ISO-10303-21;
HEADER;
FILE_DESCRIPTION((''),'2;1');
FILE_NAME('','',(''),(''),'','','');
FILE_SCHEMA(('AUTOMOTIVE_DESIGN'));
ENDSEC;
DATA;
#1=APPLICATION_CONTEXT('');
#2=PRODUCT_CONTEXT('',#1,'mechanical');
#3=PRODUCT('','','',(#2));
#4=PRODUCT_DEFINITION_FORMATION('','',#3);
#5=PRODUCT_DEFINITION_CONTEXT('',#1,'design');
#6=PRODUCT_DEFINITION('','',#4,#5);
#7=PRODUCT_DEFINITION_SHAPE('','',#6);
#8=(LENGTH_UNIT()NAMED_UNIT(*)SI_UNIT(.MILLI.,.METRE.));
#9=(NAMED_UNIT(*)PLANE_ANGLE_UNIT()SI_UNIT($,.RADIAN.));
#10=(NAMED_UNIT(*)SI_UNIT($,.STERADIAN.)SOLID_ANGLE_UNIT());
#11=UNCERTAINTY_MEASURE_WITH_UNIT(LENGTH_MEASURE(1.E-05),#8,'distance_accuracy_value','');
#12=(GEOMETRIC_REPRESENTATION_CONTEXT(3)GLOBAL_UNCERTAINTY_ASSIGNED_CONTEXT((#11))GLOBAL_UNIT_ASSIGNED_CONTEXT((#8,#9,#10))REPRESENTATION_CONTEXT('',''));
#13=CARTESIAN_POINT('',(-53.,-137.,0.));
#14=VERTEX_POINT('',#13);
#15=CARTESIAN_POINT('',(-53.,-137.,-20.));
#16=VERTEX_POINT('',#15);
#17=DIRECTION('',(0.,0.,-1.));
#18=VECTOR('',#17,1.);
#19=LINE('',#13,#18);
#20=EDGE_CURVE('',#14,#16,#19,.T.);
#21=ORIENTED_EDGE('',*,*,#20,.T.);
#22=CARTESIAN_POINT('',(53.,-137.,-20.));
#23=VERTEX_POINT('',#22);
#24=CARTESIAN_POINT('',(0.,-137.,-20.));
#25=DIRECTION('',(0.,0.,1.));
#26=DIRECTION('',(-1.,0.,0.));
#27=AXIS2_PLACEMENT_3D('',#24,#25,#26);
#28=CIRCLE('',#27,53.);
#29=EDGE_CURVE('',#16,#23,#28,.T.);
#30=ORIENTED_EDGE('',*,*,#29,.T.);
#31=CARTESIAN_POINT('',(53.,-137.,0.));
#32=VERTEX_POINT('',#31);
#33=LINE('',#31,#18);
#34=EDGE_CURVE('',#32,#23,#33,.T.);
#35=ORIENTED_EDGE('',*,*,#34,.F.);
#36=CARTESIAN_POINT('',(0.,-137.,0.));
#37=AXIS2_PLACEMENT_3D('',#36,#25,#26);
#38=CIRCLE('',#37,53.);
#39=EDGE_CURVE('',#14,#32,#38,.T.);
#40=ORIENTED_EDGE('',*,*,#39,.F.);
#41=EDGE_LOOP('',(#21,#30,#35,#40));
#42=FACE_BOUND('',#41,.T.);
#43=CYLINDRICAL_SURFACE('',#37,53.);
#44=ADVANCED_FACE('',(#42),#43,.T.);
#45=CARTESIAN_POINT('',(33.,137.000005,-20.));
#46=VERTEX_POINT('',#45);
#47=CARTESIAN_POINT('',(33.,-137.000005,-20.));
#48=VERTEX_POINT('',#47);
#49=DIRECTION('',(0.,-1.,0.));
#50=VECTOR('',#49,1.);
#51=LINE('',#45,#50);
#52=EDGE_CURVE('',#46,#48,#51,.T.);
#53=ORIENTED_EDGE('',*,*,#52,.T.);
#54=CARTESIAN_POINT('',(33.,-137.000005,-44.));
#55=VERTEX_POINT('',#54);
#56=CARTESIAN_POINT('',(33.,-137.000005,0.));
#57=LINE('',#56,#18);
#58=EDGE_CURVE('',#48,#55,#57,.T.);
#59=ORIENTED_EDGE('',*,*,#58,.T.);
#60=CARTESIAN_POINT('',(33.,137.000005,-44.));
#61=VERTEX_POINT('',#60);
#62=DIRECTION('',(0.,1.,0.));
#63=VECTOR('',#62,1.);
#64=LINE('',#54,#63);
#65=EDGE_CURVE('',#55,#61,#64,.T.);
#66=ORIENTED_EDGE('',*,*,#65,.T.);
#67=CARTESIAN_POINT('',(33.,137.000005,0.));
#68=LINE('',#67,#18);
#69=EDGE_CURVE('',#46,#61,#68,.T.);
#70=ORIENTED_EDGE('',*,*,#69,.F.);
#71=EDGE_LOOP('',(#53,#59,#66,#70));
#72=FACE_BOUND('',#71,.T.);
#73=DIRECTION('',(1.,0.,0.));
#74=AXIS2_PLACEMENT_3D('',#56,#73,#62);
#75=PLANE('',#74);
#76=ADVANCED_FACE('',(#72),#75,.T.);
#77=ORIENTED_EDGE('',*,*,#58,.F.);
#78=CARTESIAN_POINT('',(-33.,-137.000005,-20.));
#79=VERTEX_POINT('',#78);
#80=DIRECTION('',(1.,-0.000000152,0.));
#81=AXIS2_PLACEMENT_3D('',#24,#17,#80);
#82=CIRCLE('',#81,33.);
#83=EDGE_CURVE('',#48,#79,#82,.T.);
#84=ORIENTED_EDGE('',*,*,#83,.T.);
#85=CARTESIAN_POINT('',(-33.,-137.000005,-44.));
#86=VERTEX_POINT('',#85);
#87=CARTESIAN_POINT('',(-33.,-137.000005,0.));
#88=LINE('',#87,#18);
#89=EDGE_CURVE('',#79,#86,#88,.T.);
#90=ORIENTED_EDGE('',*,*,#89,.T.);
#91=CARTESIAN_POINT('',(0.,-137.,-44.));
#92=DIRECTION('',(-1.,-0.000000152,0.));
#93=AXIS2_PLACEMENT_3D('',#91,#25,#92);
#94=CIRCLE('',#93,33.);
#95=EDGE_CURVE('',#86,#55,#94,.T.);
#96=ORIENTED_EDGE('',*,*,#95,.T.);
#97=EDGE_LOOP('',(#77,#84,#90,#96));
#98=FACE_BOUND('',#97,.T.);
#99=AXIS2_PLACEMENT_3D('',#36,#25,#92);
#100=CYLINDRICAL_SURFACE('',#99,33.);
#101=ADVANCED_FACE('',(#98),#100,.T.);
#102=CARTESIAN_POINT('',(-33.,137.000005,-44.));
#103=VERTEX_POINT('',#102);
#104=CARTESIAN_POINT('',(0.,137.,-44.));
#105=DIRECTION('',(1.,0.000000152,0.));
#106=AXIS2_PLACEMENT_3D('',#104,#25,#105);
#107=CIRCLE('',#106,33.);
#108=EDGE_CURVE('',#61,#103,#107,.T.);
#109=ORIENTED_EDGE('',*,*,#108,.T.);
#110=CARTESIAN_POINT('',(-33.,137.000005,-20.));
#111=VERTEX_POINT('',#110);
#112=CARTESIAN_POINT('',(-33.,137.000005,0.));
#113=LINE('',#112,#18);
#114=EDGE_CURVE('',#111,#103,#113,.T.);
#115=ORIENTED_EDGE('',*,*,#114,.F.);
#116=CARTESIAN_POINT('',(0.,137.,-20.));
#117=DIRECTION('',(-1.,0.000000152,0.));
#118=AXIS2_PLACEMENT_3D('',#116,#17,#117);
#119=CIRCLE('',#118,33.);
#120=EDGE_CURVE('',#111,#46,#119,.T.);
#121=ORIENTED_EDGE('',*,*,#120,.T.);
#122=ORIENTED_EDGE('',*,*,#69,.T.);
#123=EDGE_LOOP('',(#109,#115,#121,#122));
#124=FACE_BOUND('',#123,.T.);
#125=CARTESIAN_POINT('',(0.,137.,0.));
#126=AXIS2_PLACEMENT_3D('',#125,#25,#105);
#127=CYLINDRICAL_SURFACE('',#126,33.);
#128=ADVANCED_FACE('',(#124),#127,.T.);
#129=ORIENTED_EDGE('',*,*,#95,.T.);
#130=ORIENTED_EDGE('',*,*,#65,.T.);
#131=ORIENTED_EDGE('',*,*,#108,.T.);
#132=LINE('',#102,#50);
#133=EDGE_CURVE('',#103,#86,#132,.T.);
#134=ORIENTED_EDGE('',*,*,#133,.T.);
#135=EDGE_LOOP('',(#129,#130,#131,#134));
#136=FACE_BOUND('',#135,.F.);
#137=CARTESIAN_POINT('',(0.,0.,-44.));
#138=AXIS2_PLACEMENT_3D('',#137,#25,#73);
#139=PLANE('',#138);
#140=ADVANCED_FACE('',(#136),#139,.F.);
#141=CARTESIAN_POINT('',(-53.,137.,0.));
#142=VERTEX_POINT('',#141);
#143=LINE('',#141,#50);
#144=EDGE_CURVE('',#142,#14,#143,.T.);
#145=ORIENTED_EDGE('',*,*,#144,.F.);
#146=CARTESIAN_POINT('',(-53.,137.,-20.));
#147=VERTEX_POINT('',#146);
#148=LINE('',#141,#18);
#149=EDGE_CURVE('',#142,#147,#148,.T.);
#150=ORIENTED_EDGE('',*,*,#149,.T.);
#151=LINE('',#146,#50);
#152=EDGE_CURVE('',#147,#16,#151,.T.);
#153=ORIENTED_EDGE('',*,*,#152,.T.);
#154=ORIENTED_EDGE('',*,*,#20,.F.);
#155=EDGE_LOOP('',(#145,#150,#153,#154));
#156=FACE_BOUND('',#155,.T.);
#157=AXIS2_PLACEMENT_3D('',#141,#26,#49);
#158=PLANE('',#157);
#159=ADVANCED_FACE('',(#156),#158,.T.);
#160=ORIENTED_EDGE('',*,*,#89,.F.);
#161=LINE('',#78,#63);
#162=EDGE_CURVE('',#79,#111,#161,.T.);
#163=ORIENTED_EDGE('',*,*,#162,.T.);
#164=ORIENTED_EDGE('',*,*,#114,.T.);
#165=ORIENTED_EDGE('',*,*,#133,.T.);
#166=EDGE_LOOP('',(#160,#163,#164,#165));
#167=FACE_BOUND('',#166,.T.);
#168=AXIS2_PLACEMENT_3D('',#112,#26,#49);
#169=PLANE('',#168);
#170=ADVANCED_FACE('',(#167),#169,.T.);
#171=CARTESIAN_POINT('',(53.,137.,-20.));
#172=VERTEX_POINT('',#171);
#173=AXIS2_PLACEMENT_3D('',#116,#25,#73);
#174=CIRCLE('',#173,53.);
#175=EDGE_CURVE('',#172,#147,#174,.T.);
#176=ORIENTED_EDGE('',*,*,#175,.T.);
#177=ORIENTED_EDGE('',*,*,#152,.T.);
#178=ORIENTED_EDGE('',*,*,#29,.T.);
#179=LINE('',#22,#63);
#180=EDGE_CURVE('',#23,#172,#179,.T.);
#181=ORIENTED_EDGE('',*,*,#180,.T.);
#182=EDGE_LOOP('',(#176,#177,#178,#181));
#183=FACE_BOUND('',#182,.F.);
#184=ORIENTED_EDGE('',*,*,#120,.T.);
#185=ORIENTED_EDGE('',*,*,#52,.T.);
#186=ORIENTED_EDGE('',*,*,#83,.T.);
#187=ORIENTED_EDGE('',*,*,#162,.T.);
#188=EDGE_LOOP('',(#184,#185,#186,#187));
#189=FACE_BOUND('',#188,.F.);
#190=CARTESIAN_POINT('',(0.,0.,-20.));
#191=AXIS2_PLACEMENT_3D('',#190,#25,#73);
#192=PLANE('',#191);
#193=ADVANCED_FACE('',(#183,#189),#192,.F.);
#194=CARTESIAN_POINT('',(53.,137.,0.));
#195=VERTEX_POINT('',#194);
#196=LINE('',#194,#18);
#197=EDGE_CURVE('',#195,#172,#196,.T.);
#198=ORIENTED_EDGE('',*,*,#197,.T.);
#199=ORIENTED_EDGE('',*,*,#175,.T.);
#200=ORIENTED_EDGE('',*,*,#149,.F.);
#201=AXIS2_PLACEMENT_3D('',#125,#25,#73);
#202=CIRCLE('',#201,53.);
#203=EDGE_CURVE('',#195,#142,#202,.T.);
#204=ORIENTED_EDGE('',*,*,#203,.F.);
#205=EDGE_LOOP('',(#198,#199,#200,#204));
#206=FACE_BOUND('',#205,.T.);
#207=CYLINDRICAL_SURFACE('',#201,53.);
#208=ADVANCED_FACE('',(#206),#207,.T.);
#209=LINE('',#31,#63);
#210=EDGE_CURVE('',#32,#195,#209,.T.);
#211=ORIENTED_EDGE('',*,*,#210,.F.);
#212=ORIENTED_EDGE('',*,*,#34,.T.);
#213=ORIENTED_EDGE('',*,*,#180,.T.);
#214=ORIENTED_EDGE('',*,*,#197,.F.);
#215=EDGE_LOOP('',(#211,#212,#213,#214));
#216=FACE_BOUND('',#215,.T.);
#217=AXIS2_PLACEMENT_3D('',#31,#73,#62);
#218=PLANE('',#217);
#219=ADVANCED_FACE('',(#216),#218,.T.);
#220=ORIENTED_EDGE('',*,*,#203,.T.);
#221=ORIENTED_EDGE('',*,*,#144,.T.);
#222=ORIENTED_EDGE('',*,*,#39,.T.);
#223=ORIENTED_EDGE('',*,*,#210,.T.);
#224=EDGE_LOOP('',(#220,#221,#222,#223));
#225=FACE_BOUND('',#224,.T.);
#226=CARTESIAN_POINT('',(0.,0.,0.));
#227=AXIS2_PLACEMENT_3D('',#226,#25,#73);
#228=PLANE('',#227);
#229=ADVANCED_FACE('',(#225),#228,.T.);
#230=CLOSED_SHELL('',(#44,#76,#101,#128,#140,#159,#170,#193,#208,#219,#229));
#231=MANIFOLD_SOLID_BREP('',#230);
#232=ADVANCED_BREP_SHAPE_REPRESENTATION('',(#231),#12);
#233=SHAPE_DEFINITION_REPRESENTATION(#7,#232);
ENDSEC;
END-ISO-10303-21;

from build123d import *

# Parameters (mm, degrees)
F1_DEPTH = 44
F2_DEPTH = 20


with BuildPart() as f1:
    # F0 (on Top) → F1 (new body)
    with BuildSketch(Plane.XY):
        with BuildLine():
            ThreePointArc((33, 137.000005), (0, 170), (-33, 137.000005))
            Line((-33, 137.000005), (-33, -137.000005))
            ThreePointArc((-33, -137.000005), (0, -170), (33, -137.000005))
            Line((33, -137.000005), (33, 137.000005))
        make_face()
    extrude(amount=-F1_DEPTH)

    # F0 (on Top) → F2 (join)
    with BuildSketch(Plane.XY):
        with BuildLine():
            ThreePointArc((-53, -137), (0, -190), (53, -137))
            Line((53, -137), (53, 137))
            ThreePointArc((53, 137), (0, 190), (-53, 137))
            Line((-53, 137), (-53, -137))
        make_face()
        with BuildLine():
            Line((-33, -137.000005), (-33, 137.000005))
            ThreePointArc((-33, 137.000005), (0, 170), (33, 137.000005))
            Line((33, 137.000005), (33, -137.000005))
            ThreePointArc((33, -137.000005), (0, -170), (-33, -137.000005))
        make_face(mode=Mode.SUBTRACT)
    extrude(amount=-F2_DEPTH)


solid = f1.part
